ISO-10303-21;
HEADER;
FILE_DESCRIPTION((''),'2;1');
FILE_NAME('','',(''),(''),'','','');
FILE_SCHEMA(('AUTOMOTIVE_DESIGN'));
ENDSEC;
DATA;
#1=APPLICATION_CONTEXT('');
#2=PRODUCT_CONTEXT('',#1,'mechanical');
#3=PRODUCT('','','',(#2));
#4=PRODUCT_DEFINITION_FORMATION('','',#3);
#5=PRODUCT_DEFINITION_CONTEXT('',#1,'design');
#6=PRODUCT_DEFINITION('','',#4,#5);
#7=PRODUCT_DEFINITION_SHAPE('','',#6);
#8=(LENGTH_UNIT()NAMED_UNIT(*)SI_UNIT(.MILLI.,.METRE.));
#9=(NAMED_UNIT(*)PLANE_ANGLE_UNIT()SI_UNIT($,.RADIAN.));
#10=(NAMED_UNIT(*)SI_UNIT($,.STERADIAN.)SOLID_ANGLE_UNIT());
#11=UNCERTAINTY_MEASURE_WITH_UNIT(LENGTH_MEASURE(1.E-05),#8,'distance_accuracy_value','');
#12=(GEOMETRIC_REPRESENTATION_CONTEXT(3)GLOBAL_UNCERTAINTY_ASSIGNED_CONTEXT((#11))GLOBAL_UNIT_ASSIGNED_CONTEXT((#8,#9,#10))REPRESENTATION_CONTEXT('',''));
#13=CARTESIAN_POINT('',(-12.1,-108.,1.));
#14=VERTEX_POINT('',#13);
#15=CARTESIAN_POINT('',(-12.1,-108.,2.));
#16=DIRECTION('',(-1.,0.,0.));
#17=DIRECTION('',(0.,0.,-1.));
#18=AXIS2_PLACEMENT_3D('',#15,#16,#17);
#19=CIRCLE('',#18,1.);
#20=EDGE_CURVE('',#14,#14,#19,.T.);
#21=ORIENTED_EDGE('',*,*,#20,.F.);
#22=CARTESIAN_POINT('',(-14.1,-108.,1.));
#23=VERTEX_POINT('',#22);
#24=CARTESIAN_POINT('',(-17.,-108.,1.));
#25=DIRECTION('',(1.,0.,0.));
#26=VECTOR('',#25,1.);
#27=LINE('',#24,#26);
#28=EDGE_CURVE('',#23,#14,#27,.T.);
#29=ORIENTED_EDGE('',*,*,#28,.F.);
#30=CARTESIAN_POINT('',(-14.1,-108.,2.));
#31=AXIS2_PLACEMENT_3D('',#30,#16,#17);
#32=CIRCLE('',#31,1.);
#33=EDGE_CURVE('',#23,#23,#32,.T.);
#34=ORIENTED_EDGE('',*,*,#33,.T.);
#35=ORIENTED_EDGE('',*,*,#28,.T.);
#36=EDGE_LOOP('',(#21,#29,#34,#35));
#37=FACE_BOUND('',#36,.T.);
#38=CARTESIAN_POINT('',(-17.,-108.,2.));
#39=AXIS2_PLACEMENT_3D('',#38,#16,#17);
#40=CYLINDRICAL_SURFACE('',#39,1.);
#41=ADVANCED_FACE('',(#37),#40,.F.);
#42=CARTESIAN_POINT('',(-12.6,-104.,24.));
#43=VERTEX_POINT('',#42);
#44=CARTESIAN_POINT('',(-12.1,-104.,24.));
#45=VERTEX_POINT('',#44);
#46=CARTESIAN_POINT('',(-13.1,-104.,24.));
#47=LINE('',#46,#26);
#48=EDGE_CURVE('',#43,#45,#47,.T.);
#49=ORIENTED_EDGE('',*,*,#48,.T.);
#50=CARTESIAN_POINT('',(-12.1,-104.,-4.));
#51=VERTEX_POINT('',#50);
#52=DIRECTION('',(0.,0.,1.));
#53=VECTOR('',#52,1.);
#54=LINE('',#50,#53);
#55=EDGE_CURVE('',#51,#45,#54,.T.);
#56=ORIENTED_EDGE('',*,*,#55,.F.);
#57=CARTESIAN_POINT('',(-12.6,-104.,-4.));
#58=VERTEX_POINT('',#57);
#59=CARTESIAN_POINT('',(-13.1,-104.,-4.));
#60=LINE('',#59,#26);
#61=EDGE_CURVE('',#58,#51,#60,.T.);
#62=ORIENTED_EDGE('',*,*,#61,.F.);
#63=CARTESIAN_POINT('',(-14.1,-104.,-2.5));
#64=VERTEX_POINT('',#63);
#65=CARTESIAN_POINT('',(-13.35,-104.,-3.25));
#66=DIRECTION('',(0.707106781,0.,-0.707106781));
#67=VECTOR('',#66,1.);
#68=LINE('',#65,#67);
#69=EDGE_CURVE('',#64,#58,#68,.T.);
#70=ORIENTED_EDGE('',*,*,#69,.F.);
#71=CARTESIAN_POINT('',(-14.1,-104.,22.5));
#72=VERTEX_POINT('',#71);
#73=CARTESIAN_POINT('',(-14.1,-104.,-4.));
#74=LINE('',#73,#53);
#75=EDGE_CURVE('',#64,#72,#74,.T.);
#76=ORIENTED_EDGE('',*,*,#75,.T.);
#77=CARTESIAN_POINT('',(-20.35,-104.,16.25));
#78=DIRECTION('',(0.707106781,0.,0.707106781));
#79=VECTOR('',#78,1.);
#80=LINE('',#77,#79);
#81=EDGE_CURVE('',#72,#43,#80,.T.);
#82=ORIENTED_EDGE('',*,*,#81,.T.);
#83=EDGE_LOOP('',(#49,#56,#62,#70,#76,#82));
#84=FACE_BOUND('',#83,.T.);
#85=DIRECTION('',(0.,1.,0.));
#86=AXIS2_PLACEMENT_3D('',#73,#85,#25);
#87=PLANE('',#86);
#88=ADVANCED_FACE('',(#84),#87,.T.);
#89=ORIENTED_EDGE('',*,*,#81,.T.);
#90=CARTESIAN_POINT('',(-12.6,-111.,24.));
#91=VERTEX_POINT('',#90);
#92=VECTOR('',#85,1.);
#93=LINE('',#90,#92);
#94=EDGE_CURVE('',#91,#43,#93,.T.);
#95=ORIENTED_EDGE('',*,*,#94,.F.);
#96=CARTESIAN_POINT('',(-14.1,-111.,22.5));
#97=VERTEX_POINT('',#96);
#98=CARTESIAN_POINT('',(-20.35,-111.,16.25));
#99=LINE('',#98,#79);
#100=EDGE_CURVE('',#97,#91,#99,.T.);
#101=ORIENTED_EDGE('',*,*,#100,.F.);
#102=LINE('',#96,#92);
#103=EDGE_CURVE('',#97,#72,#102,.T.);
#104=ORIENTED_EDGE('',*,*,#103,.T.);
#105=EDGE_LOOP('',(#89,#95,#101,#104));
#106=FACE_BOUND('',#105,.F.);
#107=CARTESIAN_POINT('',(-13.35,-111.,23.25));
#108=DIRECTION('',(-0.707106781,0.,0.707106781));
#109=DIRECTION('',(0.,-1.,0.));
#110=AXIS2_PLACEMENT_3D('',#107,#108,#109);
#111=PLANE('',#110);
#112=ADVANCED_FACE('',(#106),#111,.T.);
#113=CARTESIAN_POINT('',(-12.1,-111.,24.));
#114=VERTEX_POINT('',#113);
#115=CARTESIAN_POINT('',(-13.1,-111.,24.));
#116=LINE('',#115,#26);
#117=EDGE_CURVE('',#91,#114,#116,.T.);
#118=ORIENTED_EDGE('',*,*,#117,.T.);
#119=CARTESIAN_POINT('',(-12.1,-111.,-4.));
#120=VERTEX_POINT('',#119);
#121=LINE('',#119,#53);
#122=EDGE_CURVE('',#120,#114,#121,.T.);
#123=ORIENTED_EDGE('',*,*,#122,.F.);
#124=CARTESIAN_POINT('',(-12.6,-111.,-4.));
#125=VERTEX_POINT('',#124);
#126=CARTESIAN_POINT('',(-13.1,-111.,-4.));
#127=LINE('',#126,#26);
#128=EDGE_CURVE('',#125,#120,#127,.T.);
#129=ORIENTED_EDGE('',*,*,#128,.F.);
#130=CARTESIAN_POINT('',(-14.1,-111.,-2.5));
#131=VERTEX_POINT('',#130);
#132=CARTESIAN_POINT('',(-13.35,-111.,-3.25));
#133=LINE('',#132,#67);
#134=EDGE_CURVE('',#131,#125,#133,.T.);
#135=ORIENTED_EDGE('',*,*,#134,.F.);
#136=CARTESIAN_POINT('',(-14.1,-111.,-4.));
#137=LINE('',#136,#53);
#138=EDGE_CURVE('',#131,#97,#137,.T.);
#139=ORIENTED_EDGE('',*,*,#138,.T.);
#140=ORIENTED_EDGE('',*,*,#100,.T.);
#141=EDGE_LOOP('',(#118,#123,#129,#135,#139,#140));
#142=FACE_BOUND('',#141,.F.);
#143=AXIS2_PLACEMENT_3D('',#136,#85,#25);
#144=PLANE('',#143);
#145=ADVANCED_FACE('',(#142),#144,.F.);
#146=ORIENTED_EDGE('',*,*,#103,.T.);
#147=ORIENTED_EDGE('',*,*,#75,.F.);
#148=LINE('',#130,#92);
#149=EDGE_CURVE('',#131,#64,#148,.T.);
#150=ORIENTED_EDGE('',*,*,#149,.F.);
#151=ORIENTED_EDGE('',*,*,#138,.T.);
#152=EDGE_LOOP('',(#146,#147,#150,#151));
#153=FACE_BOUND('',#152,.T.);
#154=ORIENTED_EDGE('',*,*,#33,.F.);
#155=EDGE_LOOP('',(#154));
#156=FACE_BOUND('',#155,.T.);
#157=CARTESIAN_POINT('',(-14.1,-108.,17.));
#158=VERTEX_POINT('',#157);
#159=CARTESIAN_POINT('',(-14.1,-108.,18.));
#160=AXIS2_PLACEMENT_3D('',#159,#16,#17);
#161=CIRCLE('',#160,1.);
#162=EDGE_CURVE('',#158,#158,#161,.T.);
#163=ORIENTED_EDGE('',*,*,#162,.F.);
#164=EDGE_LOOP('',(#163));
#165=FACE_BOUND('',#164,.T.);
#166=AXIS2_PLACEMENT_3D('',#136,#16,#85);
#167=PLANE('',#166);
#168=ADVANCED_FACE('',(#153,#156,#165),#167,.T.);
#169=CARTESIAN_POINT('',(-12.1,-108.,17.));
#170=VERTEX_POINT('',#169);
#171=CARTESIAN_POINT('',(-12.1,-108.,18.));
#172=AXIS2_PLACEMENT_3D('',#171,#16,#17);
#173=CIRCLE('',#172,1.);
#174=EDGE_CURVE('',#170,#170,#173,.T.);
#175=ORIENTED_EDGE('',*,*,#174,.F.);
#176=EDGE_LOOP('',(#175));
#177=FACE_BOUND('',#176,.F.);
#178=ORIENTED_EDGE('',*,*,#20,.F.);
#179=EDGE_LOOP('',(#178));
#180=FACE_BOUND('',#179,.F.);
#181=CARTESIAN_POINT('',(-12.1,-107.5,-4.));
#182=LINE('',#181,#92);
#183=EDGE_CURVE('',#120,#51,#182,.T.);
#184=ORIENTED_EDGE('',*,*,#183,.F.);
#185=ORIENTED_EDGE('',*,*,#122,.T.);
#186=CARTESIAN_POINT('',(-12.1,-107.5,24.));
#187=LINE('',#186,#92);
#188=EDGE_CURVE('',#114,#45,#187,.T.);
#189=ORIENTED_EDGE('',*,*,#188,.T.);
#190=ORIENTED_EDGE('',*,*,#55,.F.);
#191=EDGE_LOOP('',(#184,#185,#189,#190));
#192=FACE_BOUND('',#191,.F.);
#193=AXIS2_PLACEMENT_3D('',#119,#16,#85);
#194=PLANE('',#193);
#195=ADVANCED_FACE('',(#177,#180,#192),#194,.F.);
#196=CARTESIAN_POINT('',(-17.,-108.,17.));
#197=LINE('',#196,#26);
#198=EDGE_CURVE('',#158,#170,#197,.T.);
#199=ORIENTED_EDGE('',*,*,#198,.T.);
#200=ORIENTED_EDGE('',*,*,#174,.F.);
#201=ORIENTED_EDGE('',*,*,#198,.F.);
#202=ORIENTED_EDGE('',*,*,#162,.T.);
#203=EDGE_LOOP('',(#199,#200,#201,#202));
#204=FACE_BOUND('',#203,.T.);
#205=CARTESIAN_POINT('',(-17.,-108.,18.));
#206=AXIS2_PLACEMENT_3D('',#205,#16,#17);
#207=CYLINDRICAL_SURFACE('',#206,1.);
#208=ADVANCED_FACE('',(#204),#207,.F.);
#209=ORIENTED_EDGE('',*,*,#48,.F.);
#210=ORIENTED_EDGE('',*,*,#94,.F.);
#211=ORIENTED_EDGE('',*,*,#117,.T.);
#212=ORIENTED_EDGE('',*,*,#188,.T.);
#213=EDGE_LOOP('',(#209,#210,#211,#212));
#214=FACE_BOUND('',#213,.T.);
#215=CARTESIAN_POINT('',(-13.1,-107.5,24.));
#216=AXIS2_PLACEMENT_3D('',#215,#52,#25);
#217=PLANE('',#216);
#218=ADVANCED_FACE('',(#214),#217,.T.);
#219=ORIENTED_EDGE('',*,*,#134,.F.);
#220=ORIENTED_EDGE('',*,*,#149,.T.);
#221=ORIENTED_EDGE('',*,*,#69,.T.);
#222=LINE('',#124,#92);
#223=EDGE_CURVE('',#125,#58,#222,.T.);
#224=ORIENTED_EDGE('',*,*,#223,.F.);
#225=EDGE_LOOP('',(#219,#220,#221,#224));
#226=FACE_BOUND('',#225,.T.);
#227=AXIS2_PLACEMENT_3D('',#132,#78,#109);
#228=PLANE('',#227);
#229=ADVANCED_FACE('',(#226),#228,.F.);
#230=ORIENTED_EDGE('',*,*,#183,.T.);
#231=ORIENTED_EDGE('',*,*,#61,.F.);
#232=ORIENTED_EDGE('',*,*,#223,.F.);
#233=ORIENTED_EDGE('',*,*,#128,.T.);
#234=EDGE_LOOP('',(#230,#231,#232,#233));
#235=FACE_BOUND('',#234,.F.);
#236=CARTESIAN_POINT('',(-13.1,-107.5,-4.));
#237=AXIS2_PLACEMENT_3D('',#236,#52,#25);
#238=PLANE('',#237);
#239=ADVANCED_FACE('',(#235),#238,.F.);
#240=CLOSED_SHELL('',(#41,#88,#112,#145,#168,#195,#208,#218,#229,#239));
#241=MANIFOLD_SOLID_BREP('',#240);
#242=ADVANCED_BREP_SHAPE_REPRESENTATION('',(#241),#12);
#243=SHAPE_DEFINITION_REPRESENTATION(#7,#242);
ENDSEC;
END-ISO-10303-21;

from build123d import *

# Parameters (mm, degrees)
CYLINDER2204_R     = 1
CYLINDER2204_DEPTH = 20
CYLINDER2203_R     = 1
CYLINDER2203_DEPTH = 20
BOX850_W           = 2
BOX850_H           = 7
BOX850_DEPTH       = 28
CHAMFER069_SIZE    = 1.5


with BuildPart() as v_lec2204:
    # Cylinder2204 → Cylinder2204 (new body)
    with BuildSketch(Plane(origin=(-17, -108, 18), x_dir=(0, 0, -1), z_dir=(1, 0, 0))):
        Circle(CYLINDER2204_R)
    extrude(amount=CYLINDER2204_DEPTH)


with BuildPart() as compound986:
    # Cylinder2203 → Cylinder2203 (new body)
    with BuildSketch(Plane(origin=(-17, -108, 2), x_dir=(0, 0, -1), z_dir=(1, 0, 0))):
        Circle(CYLINDER2203_R)
    extrude(amount=CYLINDER2203_DEPTH)

    # Compound986: union Válec2204
    add(v_lec2204.part)


with BuildPart() as chamfer069:
    # Box850 → Box850 (new body)
    with BuildSketch(Plane(origin=(-14.1, -111, -4), x_dir=(1, 0, 0), z_dir=(0, 0, 1))):
        with Locations((1, 3.5)):
            Rectangle(BOX850_W, BOX850_H)
    extrude(amount=BOX850_DEPTH)

    # Cut811: cut Compound986
    add(compound986.part, mode=Mode.SUBTRACT)

    # Chamfer069
    chamfer069_edges = [chamfer069.edges().sort_by_distance(p)[0] for p in [
        (-14.1, -107.5, 24),
        (-14.1, -107.5, -4),
    ]]
    chamfer(chamfer069_edges, length=CHAMFER069_SIZE)


solid = chamfer069.part
